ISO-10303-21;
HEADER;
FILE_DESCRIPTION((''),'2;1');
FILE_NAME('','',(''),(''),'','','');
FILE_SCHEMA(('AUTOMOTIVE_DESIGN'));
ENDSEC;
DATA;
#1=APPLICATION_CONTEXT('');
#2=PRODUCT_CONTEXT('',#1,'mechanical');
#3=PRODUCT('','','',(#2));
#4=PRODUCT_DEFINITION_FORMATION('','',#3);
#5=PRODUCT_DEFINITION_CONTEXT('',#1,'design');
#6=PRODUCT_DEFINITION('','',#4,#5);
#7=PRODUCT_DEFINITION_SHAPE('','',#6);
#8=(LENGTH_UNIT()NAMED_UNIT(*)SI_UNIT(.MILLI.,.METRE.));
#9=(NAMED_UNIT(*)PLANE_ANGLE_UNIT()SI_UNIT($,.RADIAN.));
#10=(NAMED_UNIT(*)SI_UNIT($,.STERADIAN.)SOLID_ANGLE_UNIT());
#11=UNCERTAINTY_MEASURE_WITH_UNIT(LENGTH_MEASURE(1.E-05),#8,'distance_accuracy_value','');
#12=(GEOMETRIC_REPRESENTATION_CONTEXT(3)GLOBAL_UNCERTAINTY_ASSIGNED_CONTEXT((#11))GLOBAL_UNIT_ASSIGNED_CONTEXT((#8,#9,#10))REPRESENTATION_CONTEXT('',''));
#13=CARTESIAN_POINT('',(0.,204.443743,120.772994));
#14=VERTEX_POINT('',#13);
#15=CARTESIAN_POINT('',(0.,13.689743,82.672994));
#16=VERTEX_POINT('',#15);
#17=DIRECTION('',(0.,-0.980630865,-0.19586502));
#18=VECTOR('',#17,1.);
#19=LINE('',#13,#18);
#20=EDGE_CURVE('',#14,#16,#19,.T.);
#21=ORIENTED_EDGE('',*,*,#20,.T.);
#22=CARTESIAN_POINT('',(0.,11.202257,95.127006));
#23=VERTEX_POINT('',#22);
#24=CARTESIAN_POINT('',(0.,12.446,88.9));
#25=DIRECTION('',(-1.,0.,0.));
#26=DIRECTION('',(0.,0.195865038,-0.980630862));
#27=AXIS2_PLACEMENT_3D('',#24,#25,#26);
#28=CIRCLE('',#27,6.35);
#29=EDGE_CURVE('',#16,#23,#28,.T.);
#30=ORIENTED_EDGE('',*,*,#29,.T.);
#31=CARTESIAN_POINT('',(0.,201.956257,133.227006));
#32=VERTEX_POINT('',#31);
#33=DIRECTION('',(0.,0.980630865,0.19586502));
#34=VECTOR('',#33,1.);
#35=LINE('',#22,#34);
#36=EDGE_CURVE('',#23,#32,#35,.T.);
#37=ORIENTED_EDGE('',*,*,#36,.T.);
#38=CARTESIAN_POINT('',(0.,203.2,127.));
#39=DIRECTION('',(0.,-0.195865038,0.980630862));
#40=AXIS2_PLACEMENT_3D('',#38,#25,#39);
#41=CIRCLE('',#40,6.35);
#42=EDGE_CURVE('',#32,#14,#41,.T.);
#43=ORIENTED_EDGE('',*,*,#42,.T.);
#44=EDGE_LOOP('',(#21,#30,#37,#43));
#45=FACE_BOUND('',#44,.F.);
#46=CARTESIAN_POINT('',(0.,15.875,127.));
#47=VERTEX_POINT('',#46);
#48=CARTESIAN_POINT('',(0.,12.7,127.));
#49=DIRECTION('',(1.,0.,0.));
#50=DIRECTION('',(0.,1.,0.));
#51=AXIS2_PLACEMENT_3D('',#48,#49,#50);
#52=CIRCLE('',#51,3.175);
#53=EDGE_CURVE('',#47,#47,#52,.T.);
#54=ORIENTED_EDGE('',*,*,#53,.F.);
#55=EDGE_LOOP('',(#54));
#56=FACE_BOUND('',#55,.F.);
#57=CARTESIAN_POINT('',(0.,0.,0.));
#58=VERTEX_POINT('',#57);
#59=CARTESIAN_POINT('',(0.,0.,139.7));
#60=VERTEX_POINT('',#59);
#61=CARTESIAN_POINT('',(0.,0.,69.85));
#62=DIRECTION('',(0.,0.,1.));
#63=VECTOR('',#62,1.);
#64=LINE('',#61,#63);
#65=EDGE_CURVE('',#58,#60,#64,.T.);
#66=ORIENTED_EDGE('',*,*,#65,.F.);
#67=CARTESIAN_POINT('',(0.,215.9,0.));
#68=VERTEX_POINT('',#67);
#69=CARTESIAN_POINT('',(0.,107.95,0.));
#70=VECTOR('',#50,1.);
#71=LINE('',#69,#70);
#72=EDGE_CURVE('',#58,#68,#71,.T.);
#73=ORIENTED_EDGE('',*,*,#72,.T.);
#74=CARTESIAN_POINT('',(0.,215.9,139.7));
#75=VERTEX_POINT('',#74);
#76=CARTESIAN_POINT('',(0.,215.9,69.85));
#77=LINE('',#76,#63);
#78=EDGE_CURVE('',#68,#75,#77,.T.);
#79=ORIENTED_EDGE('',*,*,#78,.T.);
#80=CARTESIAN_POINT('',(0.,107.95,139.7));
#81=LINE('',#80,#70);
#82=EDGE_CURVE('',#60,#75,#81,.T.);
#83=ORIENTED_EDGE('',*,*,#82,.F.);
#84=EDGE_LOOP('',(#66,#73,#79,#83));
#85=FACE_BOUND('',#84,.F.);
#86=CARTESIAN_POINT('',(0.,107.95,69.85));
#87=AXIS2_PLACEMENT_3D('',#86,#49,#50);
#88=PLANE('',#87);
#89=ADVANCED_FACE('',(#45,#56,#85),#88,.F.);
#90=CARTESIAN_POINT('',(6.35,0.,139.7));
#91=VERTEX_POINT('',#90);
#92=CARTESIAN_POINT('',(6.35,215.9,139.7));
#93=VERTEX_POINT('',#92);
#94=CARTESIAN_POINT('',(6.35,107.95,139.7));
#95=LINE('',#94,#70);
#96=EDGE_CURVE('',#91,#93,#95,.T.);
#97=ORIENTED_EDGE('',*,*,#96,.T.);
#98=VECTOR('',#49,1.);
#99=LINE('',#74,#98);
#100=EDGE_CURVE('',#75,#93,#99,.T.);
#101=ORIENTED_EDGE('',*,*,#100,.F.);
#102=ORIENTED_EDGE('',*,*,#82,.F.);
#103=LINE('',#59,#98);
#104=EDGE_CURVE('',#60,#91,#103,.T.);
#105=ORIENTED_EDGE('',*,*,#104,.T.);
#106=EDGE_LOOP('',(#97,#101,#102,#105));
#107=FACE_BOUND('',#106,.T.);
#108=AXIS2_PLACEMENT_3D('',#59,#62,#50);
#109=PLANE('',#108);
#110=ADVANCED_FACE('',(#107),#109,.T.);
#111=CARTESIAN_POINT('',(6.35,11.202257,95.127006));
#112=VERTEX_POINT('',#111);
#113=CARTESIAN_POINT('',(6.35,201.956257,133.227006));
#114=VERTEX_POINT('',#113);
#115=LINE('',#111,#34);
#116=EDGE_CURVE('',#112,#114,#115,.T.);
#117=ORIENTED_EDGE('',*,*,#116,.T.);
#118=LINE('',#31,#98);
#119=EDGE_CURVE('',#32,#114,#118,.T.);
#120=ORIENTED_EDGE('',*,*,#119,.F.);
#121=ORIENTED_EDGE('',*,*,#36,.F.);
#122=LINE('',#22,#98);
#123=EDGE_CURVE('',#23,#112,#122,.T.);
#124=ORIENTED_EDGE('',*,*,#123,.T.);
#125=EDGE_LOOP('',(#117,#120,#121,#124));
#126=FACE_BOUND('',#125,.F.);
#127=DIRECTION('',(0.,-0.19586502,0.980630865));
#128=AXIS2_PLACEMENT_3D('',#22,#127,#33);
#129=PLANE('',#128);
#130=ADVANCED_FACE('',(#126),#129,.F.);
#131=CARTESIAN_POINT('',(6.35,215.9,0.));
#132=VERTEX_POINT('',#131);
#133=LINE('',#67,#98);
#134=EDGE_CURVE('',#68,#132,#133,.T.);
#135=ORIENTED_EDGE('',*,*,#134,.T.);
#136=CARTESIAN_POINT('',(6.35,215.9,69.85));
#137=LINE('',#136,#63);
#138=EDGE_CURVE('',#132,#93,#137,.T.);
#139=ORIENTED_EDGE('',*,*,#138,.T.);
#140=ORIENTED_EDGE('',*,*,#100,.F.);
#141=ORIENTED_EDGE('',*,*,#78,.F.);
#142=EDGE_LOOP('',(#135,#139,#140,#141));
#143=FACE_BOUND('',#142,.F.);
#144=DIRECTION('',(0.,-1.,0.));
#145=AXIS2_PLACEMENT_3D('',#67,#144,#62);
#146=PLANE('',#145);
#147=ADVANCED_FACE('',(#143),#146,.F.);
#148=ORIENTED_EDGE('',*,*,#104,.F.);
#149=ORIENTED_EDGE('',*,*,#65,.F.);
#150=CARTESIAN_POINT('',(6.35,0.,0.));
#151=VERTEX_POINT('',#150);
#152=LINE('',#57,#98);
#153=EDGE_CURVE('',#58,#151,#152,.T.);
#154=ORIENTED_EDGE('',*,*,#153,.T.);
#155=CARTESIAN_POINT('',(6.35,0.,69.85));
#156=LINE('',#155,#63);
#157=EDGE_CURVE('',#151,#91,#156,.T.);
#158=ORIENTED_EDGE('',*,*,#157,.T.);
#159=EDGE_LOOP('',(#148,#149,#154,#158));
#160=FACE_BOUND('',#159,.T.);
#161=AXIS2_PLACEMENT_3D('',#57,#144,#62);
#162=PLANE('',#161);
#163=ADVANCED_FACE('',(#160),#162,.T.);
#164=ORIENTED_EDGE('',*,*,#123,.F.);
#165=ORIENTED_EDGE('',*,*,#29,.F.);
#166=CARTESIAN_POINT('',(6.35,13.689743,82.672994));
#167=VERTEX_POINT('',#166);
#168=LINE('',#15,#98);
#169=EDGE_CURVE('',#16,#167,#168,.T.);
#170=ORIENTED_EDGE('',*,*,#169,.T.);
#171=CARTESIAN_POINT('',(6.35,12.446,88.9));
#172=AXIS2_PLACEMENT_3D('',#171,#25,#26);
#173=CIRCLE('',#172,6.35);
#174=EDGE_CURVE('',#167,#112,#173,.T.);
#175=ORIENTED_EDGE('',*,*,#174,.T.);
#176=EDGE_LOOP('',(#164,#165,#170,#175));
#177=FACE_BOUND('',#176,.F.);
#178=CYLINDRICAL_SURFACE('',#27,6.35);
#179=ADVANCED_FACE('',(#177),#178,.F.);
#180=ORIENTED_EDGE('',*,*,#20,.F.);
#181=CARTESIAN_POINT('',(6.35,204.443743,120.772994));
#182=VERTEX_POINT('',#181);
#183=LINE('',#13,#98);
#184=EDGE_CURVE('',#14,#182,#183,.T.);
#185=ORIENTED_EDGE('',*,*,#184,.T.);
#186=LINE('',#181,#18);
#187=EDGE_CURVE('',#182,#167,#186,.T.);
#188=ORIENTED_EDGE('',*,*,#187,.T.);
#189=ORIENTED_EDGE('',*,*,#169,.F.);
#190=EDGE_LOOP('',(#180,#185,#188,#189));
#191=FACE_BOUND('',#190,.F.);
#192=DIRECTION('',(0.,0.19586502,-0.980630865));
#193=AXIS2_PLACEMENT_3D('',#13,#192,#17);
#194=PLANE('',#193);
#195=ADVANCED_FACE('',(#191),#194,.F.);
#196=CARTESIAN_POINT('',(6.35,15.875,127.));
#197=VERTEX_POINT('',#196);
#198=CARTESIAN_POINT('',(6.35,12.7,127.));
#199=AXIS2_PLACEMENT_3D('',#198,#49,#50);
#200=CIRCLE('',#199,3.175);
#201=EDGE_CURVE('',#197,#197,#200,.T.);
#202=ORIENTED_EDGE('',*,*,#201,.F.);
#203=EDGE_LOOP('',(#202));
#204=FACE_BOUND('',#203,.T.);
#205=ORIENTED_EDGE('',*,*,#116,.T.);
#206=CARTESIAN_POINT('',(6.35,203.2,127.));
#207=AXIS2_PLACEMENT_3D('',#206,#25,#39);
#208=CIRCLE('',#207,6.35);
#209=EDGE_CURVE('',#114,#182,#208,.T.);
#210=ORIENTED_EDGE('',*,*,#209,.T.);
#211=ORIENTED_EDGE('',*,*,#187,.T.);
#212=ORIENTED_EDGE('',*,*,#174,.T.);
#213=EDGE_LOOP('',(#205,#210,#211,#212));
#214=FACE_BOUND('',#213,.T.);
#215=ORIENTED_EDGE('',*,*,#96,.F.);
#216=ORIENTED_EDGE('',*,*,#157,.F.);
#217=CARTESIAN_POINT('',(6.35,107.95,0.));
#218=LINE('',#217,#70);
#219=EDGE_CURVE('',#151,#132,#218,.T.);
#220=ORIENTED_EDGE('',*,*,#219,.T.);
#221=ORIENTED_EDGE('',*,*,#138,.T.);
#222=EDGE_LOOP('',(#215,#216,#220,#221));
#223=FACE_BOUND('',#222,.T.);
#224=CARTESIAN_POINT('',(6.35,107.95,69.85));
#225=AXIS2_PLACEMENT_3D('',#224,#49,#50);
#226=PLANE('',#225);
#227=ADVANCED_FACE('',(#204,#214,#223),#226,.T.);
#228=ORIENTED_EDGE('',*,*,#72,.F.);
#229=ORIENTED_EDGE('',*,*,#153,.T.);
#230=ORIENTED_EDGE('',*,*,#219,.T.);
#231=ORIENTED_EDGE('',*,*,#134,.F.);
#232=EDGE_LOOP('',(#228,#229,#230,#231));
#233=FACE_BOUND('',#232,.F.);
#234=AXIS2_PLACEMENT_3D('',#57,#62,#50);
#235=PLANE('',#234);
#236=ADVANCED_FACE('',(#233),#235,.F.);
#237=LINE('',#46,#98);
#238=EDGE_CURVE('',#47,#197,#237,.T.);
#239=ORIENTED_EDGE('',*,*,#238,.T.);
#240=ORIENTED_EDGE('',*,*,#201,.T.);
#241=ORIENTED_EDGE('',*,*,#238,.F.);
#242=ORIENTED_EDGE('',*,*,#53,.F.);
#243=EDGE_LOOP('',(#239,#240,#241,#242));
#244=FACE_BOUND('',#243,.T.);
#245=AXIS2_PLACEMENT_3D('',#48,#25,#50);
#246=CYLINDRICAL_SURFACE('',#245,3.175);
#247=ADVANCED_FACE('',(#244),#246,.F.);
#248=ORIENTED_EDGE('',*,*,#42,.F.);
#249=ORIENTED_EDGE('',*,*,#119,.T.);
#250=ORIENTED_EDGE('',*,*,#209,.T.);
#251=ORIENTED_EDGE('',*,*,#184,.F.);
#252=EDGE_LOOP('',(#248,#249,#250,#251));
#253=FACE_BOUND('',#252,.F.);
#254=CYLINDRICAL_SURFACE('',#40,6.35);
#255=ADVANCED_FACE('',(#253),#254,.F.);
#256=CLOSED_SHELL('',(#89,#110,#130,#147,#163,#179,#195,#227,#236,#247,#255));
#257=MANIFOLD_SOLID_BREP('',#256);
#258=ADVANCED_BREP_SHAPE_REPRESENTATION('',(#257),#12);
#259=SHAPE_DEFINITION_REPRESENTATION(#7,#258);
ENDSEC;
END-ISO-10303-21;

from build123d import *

# Parameters (mm, degrees)
F0_W     = 215.9
F0_H     = 139.7
F0_R     = 3.175
F1_DEPTH = 6.35


with BuildPart() as f1:
    # F0 (on Right) → F1 (new body)
    with BuildSketch(Plane.YZ):
        with Locations((107.95, 69.85)):
            Rectangle(F0_W, F0_H)
        with Locations((12.7, 127)):
            Circle(F0_R, mode=Mode.SUBTRACT)
        with BuildLine():
            Line((204.443743, 120.772994), (13.689743, 82.672994))
            ThreePointArc((13.689743, 82.672994), (6.218994, 87.656257), (11.202257, 95.127006))
            Line((11.202257, 95.127006), (201.956257, 133.227006))
            ThreePointArc((201.956257, 133.227006), (209.427006, 128.243743), (204.443743, 120.772994))
        make_face(mode=Mode.SUBTRACT)
    extrude(amount=F1_DEPTH)


solid = f1.part
